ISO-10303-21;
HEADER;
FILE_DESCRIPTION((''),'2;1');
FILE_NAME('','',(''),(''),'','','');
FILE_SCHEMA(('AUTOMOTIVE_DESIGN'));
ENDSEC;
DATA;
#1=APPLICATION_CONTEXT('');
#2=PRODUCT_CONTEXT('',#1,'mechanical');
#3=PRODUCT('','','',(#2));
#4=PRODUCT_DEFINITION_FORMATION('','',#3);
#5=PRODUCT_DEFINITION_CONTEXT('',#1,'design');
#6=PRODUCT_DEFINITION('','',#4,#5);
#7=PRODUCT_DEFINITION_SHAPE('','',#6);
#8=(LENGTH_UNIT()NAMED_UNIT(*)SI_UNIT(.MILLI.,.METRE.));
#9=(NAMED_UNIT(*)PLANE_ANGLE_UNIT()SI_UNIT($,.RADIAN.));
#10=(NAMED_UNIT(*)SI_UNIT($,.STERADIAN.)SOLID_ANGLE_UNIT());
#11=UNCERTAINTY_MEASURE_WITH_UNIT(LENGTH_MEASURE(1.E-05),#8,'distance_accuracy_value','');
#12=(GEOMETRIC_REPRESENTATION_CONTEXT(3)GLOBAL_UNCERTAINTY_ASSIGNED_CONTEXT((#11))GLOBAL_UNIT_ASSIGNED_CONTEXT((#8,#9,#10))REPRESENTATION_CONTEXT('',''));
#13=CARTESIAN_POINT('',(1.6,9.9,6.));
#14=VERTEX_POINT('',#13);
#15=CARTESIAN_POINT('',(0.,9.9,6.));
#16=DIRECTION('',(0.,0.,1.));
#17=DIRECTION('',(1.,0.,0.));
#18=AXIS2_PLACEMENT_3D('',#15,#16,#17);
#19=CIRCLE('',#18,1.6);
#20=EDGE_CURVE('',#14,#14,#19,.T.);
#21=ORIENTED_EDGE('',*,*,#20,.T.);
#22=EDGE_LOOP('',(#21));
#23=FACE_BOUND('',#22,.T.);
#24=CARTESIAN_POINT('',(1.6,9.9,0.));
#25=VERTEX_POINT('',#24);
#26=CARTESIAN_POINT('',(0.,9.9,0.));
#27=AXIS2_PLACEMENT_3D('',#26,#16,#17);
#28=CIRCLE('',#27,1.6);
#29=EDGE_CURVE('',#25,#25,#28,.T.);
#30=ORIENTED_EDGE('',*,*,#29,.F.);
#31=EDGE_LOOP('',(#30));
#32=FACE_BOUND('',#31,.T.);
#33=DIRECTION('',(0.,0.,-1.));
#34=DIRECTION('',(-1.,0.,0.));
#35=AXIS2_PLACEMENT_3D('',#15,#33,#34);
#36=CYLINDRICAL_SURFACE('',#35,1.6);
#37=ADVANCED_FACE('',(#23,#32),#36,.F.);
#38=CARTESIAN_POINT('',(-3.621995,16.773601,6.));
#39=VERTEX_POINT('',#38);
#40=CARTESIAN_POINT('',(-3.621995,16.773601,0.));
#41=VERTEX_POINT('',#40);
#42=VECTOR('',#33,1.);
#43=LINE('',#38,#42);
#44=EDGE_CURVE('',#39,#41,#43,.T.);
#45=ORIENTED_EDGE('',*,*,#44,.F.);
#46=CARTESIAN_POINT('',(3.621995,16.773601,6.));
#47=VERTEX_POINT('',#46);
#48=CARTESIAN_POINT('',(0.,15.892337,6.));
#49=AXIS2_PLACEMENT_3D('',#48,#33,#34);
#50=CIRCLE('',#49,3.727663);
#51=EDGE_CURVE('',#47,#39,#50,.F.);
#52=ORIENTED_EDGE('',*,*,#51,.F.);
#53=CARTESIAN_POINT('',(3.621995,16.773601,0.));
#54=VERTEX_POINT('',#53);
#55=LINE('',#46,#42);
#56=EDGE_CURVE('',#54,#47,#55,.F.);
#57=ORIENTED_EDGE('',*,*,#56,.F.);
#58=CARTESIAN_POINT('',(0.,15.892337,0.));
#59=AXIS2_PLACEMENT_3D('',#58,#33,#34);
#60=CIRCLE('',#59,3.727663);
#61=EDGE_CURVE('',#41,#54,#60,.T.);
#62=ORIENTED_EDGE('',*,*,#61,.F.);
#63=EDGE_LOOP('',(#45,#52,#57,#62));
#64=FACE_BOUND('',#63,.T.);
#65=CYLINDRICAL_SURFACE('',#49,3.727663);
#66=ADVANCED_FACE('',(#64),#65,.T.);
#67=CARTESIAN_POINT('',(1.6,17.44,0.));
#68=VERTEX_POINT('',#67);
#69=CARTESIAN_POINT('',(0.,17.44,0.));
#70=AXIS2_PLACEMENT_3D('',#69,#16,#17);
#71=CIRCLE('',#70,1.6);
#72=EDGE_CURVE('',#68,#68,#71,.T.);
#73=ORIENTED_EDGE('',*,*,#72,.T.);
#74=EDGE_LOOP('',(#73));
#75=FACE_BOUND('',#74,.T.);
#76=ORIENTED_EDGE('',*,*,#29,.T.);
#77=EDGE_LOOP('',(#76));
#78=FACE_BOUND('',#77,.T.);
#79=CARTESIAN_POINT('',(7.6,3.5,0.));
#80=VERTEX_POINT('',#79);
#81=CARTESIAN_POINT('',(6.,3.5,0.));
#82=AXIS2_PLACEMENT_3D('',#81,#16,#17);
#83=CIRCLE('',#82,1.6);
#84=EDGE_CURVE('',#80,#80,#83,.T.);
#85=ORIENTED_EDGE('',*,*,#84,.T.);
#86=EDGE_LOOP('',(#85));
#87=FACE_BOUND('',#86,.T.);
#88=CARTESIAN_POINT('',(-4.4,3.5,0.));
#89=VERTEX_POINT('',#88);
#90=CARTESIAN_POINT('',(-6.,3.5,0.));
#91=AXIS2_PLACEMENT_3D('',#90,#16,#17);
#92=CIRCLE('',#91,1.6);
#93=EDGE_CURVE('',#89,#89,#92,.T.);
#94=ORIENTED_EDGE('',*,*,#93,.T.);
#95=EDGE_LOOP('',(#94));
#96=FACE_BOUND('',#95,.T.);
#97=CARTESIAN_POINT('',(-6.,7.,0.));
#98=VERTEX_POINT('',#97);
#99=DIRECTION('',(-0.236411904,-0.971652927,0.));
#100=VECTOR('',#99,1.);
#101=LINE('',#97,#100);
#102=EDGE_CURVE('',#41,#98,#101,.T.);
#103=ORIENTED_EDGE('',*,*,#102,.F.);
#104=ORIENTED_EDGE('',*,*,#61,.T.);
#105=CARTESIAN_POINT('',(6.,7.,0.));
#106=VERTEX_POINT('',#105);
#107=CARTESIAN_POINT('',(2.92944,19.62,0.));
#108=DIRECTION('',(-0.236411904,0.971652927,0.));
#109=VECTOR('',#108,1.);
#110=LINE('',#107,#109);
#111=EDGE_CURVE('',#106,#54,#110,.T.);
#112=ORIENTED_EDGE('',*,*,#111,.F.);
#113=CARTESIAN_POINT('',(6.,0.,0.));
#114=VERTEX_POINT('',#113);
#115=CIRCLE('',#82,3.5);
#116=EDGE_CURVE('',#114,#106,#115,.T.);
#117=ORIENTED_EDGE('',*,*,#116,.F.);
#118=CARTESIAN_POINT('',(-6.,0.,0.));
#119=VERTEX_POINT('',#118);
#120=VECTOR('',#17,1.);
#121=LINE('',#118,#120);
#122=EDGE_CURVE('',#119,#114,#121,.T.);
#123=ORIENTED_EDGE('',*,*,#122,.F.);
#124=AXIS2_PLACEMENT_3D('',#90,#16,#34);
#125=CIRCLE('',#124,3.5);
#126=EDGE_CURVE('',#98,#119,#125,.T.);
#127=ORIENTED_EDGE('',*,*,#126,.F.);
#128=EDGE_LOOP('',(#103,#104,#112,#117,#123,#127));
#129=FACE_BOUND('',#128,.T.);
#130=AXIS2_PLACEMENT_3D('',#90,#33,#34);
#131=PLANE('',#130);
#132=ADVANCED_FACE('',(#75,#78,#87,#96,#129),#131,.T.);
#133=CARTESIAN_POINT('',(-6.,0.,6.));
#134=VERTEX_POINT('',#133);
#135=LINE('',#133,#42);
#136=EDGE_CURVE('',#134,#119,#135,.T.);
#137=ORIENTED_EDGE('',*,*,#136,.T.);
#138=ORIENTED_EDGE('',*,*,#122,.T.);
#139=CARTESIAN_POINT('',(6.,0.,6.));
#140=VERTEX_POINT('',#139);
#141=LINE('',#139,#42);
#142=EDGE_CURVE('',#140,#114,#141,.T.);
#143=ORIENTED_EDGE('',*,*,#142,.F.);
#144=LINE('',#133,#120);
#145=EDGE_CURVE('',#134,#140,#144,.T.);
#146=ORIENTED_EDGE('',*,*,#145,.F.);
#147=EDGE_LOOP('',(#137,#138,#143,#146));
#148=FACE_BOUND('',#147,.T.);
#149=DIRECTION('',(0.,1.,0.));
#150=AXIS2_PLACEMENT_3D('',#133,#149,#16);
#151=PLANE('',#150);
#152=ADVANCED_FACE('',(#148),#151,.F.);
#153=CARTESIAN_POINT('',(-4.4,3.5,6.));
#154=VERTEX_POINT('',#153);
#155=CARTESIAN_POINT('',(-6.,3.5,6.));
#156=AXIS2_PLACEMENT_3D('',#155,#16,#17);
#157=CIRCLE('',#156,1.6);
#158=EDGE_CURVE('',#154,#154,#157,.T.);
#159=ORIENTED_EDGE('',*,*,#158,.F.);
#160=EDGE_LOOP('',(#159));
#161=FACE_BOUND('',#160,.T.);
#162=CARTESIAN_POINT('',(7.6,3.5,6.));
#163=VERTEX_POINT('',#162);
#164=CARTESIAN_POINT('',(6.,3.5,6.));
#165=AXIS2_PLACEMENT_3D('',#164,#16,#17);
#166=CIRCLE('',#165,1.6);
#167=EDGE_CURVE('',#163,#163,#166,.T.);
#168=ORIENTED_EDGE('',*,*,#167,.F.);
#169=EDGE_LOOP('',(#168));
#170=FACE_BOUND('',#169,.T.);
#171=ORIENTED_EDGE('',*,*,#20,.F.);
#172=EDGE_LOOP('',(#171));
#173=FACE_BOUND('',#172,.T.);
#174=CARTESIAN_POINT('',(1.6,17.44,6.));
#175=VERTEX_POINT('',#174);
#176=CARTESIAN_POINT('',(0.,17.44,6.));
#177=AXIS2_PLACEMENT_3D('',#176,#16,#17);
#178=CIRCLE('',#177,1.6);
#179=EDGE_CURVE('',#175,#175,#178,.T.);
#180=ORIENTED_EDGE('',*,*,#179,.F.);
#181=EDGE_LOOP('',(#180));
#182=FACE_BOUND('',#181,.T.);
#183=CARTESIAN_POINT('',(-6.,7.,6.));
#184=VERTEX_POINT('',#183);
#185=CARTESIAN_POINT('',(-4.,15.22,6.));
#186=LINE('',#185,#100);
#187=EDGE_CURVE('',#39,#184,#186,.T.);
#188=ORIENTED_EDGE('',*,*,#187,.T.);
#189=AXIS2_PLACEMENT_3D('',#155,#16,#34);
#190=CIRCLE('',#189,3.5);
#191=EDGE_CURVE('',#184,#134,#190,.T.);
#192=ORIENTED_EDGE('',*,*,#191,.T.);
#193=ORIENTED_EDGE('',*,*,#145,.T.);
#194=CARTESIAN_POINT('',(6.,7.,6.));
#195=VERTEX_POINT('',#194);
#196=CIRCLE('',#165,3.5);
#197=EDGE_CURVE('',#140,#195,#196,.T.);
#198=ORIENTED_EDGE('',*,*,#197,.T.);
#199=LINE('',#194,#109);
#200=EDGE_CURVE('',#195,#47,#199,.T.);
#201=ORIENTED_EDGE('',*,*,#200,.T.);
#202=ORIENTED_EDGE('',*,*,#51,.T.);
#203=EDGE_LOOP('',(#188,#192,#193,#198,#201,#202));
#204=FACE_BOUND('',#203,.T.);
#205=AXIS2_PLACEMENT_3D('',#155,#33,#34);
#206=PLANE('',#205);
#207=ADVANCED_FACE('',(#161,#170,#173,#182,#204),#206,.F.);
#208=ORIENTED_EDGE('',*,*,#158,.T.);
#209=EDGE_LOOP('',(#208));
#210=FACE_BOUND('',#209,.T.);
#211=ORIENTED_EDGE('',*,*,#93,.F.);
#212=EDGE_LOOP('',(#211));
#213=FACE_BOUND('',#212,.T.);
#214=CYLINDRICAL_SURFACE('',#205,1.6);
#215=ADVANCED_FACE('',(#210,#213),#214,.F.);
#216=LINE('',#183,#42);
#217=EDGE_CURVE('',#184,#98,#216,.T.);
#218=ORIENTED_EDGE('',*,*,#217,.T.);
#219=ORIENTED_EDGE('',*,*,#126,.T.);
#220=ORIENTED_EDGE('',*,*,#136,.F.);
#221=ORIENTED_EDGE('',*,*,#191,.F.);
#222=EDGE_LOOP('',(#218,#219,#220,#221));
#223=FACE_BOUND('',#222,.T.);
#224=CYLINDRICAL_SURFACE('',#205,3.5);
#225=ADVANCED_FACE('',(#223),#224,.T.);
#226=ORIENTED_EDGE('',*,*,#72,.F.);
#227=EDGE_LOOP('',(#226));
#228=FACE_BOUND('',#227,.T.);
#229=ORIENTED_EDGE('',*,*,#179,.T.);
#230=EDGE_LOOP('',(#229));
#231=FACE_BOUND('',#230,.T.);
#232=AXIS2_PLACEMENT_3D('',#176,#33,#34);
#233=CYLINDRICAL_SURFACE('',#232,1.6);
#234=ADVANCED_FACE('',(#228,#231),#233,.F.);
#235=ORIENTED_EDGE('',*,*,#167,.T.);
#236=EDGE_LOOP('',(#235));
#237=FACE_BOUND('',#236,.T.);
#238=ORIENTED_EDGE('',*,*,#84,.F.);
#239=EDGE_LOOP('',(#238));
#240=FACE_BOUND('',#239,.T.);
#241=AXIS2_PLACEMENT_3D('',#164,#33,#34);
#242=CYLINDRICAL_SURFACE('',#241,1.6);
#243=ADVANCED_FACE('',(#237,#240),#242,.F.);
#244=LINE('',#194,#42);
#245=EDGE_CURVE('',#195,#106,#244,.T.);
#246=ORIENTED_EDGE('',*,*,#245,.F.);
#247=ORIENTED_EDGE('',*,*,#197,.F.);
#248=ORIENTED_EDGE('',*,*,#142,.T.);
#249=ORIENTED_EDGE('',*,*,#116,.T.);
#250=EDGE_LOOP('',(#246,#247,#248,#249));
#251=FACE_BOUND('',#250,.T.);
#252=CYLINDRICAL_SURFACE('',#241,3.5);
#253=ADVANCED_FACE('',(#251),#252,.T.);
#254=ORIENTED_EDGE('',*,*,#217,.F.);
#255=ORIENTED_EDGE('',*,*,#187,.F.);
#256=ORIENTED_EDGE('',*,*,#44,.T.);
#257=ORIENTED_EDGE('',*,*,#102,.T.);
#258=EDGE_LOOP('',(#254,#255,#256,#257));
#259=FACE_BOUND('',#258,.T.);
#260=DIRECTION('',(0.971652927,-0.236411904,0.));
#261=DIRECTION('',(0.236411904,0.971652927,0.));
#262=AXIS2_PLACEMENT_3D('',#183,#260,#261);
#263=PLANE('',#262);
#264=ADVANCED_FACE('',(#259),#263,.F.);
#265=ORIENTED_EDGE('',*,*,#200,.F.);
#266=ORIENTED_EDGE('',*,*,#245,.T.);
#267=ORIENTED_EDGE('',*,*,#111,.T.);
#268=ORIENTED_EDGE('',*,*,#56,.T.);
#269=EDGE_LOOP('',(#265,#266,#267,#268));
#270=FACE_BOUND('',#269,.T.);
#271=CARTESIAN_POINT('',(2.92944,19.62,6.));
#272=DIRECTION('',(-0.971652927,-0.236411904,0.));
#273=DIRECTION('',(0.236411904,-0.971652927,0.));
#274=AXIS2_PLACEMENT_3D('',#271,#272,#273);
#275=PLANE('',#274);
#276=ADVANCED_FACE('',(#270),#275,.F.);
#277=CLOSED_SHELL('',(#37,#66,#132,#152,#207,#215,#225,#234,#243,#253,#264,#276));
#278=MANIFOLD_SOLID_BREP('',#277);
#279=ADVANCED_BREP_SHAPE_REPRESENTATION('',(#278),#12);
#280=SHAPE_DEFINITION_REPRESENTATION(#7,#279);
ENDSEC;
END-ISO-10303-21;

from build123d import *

# Parameters (mm, degrees)
CROQUIS1_R              = 1.6
SALIENTE_EXTRUIR1_DEPTH = 6
REDONDEO1_R             = 3.727663


with BuildPart() as part:
    # Croquis1 → Saliente-Extruir1 (new body)
    with BuildSketch(Plane.XY):
        with BuildLine():
            Line((-6, 0), (6, 0))
            ThreePointArc((6, 0), (9.5, 3.5), (6, 7))
            Line((6, 7), (4, 15.22))
            Line((4, 15.22), (2.929440389, 19.62))
            Line((2.929440389, 19.62), (-2.929440389, 19.62))
            Line((-2.929440389, 19.62), (-4, 15.22))
            Line((-4, 15.22), (-6, 7))
            ThreePointArc((-6, 7), (-9.5, 3.5), (-6, 0))
        make_face()
        with Locations((6, 3.5)):
            Circle(CROQUIS1_R, mode=Mode.SUBTRACT)
        with Locations((-6, 3.5)):
            Circle(CROQUIS1_R, mode=Mode.SUBTRACT)
        with Locations((0, 17.44)):
            Circle(CROQUIS1_R, mode=Mode.SUBTRACT)
        with Locations((0, 9.9)):
            Circle(CROQUIS1_R, mode=Mode.SUBTRACT)
    extrude(amount=SALIENTE_EXTRUIR1_DEPTH)

    # Redondeo1
    redondeo1_edges = [part.edges().sort_by_distance(p)[0] for p in [
        (-2.929440389, 19.62, 3),
        (2.929440389, 19.62, 3),
    ]]
    fillet(redondeo1_edges, radius=REDONDEO1_R)


solid = part.part
